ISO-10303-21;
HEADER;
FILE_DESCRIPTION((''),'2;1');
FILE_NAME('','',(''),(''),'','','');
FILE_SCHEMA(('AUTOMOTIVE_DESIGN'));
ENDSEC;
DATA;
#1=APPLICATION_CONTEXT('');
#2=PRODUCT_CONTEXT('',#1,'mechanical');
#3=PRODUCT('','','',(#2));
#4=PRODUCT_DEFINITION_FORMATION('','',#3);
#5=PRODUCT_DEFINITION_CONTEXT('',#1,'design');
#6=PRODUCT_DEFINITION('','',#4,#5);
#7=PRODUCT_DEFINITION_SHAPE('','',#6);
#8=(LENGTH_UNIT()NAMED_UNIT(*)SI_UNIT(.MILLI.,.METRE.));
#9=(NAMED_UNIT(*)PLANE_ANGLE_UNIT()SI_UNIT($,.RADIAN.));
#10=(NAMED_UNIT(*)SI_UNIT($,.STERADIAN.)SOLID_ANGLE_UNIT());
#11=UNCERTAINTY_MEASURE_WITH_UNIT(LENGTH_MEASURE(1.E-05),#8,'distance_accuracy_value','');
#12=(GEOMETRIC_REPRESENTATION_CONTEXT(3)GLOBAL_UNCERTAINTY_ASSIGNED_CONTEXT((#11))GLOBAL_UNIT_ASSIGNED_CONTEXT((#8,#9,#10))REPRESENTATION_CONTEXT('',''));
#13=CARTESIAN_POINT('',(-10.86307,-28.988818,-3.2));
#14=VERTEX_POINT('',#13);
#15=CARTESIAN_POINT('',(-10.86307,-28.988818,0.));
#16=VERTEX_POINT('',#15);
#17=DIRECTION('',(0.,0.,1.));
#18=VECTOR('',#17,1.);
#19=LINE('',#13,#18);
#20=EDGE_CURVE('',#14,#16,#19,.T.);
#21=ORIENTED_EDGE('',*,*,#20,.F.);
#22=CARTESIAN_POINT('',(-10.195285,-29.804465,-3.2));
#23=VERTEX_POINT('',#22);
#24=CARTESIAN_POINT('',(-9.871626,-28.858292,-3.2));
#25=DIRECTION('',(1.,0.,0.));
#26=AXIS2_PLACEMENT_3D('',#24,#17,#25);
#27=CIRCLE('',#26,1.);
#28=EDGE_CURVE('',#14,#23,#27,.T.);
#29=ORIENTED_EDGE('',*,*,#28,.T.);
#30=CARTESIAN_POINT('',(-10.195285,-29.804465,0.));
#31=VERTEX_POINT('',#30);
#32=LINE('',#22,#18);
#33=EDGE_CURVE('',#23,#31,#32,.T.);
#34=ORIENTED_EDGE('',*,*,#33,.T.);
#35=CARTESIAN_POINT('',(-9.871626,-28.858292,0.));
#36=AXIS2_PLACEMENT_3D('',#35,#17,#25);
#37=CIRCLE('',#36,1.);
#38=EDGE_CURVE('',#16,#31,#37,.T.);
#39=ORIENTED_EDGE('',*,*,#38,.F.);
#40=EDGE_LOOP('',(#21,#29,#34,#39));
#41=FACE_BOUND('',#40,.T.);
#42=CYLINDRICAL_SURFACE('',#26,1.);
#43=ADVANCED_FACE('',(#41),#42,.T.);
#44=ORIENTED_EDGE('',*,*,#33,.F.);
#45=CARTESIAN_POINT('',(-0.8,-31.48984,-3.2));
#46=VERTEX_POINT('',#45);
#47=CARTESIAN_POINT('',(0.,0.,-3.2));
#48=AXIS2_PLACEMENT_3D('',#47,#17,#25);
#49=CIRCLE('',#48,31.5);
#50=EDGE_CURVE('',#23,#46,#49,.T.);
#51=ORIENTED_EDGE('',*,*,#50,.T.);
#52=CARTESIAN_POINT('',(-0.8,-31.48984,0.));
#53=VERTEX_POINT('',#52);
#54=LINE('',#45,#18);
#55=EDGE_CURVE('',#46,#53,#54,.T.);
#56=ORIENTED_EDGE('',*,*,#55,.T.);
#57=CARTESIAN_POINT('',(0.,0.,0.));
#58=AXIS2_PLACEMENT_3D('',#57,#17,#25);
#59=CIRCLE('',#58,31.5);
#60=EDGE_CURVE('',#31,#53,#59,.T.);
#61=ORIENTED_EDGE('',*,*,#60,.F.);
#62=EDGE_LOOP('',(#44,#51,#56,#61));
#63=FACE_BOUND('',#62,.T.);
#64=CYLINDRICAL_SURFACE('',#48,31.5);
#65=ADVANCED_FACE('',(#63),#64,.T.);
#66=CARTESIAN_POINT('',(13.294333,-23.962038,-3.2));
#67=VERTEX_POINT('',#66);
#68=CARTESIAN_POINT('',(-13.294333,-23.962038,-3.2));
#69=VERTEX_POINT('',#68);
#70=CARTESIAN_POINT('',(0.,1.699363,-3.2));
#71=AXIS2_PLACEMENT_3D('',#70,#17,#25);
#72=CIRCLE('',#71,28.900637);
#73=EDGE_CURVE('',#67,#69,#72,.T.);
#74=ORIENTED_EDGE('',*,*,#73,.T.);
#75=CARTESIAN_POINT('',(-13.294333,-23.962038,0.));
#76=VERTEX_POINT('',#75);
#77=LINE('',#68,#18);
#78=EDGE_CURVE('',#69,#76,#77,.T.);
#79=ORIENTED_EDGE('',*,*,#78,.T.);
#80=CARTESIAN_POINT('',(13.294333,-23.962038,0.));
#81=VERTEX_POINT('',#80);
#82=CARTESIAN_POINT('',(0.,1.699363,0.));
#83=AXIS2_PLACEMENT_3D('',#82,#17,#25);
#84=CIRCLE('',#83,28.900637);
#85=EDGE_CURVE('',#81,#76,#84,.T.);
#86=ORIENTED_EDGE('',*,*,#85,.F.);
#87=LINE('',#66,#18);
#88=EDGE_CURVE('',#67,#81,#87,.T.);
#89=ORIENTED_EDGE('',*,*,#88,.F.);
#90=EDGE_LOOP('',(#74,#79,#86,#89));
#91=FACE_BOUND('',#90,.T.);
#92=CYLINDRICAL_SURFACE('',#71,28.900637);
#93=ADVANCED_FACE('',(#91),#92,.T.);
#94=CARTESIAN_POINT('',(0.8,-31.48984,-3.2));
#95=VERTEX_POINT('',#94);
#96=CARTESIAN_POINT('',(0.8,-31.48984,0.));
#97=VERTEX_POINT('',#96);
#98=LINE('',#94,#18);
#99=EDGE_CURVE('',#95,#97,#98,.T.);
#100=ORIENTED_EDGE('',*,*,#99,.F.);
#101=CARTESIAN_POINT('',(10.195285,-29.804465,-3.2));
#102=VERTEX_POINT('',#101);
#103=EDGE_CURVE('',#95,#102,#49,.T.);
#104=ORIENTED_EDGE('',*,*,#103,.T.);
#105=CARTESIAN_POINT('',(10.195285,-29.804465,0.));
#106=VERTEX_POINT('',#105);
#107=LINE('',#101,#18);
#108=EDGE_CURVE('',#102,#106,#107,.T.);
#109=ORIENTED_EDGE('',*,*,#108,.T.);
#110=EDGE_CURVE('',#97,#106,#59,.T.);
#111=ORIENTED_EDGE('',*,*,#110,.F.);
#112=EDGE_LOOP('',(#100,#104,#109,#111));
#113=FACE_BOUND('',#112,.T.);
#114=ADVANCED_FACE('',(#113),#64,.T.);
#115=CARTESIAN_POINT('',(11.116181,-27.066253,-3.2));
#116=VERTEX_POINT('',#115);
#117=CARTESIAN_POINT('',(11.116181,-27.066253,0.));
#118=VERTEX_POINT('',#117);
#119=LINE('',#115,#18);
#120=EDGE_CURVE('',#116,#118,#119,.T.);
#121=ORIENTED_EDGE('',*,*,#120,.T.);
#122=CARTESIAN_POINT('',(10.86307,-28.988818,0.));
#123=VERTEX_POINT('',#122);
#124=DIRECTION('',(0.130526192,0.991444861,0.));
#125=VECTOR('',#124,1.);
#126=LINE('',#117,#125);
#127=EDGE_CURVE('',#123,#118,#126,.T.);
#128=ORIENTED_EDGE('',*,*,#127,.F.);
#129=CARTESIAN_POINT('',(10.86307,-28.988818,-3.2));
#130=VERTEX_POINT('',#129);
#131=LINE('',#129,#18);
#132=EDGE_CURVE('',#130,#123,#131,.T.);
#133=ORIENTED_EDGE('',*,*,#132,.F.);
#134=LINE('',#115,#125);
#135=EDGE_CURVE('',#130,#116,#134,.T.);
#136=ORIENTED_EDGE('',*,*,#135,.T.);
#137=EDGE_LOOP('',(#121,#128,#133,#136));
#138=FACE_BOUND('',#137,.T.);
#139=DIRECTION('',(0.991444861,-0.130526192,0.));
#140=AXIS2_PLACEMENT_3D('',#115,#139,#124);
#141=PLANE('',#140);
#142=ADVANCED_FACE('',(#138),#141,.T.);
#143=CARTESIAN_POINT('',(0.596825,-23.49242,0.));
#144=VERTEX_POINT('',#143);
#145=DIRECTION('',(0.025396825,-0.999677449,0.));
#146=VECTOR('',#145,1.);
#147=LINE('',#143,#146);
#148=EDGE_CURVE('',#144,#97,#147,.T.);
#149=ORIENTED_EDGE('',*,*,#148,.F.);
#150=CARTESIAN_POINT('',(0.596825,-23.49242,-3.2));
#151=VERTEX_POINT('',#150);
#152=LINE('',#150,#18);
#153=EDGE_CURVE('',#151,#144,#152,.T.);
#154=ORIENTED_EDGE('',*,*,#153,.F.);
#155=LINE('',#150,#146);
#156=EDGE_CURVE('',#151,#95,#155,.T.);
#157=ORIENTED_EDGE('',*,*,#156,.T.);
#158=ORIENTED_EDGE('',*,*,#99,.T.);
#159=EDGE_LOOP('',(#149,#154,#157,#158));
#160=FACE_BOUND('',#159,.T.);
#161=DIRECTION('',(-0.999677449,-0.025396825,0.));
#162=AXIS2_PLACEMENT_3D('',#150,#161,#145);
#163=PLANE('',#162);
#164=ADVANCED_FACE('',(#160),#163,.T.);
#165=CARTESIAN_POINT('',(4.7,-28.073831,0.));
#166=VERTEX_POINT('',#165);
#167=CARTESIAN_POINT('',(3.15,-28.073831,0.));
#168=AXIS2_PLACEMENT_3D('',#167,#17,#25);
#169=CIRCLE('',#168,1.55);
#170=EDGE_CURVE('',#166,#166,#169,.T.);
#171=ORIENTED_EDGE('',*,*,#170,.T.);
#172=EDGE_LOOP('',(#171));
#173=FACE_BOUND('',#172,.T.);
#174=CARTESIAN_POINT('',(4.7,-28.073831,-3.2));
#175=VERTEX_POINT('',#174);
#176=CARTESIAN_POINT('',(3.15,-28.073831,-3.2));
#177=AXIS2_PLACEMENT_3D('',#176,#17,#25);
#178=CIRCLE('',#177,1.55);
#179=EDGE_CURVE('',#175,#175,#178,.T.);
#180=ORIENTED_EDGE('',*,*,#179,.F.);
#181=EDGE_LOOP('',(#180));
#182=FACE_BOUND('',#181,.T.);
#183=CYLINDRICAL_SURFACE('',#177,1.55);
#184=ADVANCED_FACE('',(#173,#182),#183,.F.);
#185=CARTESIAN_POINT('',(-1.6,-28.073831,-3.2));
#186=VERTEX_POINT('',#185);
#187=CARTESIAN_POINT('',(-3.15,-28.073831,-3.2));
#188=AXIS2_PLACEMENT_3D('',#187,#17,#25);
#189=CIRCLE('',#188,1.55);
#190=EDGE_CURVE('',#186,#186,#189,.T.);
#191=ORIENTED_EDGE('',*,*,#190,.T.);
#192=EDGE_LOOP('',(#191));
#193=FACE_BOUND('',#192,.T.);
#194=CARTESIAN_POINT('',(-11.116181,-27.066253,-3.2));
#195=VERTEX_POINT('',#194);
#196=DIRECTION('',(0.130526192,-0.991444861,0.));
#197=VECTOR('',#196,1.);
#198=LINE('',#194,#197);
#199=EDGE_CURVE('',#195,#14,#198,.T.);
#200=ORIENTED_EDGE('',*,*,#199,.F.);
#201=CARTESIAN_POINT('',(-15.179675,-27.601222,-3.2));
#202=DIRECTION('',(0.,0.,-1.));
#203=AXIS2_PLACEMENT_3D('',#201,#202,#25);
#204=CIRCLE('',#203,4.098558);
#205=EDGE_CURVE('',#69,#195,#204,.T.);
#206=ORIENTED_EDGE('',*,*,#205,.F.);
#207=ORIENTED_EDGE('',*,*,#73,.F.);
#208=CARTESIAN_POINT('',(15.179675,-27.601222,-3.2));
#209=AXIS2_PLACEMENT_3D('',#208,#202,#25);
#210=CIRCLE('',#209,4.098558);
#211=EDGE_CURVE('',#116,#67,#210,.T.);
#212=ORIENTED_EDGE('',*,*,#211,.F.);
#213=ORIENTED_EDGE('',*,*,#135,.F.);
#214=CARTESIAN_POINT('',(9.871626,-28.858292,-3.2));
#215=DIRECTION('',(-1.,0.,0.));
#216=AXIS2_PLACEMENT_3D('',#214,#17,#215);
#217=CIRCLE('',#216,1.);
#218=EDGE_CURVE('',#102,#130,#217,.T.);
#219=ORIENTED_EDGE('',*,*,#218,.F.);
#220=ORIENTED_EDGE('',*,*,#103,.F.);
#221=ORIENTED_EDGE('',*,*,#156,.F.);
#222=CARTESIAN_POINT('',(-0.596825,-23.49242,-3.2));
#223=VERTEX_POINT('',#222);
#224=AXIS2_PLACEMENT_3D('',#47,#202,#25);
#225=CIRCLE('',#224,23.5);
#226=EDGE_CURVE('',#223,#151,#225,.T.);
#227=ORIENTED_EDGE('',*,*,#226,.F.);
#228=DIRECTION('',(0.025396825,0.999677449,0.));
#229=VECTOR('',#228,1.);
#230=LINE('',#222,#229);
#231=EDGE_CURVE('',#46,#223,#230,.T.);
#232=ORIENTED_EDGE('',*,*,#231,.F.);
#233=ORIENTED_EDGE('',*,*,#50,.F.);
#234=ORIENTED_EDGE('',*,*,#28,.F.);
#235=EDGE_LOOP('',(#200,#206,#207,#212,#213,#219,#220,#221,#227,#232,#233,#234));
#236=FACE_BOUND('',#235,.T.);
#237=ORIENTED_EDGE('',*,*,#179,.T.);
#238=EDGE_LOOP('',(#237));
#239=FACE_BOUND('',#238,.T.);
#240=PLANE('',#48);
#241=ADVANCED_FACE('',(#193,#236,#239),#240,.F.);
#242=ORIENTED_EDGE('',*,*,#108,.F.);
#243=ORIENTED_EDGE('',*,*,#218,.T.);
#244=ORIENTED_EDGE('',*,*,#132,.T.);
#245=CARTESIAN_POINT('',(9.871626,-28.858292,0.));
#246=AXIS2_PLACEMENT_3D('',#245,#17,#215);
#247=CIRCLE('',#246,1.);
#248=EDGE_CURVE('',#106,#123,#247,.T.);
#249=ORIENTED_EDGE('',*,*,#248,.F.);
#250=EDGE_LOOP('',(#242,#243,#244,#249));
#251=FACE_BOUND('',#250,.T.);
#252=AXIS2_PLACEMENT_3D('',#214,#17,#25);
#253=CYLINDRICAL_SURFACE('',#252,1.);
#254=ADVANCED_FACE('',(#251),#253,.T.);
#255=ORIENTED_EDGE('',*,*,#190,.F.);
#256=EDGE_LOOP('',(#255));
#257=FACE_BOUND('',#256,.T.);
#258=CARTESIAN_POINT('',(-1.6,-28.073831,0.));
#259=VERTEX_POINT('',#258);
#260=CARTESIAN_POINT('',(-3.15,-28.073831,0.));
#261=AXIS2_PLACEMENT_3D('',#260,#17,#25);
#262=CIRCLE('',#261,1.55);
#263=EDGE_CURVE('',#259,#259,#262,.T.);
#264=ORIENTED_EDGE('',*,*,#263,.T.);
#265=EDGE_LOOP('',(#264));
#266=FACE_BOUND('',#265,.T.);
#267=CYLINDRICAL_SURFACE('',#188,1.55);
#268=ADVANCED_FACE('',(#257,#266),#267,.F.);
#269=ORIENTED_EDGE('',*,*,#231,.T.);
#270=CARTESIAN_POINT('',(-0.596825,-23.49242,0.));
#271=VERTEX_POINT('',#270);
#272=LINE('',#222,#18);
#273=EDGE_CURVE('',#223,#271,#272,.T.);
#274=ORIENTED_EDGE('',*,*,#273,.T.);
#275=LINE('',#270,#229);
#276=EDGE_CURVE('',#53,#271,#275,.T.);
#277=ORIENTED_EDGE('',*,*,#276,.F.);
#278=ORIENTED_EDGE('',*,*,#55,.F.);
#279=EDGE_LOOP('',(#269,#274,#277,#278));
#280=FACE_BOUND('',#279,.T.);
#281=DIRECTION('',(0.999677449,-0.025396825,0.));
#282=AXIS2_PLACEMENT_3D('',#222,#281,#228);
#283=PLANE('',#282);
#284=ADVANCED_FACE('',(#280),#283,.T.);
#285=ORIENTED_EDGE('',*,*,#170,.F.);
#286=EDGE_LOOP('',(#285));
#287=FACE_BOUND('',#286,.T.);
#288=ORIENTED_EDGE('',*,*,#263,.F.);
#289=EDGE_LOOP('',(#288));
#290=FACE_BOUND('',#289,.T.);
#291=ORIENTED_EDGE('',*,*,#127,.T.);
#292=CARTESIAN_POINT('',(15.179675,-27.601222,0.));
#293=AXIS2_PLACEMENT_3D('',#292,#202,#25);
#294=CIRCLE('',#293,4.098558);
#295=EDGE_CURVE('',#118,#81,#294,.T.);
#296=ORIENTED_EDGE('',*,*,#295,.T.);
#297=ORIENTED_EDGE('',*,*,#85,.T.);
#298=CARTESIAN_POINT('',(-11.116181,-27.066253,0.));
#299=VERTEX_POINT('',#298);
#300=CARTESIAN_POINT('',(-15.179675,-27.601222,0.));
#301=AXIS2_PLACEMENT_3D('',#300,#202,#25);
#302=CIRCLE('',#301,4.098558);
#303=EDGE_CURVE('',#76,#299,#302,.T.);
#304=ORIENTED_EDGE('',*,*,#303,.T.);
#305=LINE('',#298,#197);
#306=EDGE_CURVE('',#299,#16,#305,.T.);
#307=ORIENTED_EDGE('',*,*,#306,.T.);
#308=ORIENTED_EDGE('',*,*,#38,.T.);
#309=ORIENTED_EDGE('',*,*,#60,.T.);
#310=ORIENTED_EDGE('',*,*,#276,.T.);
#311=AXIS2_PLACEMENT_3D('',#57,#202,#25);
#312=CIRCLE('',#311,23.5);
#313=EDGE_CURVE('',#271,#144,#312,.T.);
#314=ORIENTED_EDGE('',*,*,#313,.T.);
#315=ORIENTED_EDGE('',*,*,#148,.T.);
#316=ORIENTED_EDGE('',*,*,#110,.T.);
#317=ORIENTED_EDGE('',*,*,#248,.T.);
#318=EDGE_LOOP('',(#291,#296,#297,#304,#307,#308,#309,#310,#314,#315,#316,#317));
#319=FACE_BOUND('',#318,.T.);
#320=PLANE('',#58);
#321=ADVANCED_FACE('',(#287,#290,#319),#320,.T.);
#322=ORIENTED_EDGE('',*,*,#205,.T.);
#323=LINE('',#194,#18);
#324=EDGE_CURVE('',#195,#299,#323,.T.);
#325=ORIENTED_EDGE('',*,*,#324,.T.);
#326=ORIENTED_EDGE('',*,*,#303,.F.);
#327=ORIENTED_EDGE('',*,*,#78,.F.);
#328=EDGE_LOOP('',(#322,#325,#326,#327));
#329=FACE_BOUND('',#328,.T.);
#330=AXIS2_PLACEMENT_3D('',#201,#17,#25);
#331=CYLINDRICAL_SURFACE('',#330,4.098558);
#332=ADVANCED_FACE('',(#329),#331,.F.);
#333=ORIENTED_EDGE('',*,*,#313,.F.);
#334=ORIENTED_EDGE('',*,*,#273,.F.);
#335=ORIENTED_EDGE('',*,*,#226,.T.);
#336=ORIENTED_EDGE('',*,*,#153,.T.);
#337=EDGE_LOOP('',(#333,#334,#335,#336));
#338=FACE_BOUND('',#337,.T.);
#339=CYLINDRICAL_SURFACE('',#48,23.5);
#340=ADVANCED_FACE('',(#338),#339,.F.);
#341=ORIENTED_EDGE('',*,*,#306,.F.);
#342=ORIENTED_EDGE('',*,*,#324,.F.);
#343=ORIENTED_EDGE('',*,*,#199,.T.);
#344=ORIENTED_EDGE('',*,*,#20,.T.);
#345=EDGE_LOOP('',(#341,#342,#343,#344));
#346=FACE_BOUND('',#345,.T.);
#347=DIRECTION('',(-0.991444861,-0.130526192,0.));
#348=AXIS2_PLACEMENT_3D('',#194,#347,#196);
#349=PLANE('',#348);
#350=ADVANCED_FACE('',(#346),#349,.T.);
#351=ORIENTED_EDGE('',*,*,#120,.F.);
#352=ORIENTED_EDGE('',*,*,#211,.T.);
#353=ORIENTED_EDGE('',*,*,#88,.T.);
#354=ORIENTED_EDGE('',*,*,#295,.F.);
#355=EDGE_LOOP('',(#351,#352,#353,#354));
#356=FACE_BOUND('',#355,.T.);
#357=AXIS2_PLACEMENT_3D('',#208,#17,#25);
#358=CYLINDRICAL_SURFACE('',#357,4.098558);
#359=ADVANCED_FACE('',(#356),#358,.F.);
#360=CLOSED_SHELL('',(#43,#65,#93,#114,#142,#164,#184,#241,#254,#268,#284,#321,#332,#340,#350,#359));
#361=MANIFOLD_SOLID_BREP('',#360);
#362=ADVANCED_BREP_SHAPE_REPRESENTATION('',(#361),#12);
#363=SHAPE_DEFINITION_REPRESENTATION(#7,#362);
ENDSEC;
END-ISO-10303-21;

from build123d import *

# Parameters (mm, degrees)
BODYSKE_R  = 1.55
BODY_DEPTH = 3.2


with BuildPart() as part:
    # BodySke → Body (new body)
    with BuildSketch(Plane.XY):
        with BuildLine():
            Line((0.596825397, -23.492420042), (0.8, -31.489839631))
            ThreePointArc((0.8, -31.489839631), (5.561851931, -31.00509318), (10.195285406, -29.804465361))
            ThreePointArc((10.195285406, -29.804465361), (10.645379542, -29.491778056), (10.863070413, -28.98881805))
            Line((10.863070413, -28.98881805), (11.116180935, -27.066252766))
            ThreePointArc((11.116180935, -27.066252766), (11.824648845, -25.247081747), (13.294332949, -23.962037541))
            ThreePointArc((13.294332949, -23.962037541), (0, 30.6), (-13.294332949, -23.962037541))
            ThreePointArc((-13.294332949, -23.962037541), (-11.824648845, -25.247081747), (-11.116180935, -27.066252766))
            Line((-11.116180935, -27.066252766), (-10.863070413, -28.98881805))
            ThreePointArc((-10.863070413, -28.98881805), (-10.645379542, -29.491778056), (-10.195285406, -29.804465361))
            ThreePointArc((-10.195285406, -29.804465361), (-5.561851931, -31.00509318), (-0.8, -31.489839631))
            Line((-0.8, -31.489839631), (-0.596825397, -23.492420042))
            ThreePointArc((-0.596825397, -23.492420042), (0, 23.5), (0.596825397, -23.492420042))
        make_face()
        with Locations((3.15, -28.073831231)):
            Circle(BODYSKE_R, mode=Mode.SUBTRACT)
        with Locations((-3.15, -28.073831231)):
            Circle(BODYSKE_R, mode=Mode.SUBTRACT)
    extrude(amount=-BODY_DEPTH)


solid = part.part
